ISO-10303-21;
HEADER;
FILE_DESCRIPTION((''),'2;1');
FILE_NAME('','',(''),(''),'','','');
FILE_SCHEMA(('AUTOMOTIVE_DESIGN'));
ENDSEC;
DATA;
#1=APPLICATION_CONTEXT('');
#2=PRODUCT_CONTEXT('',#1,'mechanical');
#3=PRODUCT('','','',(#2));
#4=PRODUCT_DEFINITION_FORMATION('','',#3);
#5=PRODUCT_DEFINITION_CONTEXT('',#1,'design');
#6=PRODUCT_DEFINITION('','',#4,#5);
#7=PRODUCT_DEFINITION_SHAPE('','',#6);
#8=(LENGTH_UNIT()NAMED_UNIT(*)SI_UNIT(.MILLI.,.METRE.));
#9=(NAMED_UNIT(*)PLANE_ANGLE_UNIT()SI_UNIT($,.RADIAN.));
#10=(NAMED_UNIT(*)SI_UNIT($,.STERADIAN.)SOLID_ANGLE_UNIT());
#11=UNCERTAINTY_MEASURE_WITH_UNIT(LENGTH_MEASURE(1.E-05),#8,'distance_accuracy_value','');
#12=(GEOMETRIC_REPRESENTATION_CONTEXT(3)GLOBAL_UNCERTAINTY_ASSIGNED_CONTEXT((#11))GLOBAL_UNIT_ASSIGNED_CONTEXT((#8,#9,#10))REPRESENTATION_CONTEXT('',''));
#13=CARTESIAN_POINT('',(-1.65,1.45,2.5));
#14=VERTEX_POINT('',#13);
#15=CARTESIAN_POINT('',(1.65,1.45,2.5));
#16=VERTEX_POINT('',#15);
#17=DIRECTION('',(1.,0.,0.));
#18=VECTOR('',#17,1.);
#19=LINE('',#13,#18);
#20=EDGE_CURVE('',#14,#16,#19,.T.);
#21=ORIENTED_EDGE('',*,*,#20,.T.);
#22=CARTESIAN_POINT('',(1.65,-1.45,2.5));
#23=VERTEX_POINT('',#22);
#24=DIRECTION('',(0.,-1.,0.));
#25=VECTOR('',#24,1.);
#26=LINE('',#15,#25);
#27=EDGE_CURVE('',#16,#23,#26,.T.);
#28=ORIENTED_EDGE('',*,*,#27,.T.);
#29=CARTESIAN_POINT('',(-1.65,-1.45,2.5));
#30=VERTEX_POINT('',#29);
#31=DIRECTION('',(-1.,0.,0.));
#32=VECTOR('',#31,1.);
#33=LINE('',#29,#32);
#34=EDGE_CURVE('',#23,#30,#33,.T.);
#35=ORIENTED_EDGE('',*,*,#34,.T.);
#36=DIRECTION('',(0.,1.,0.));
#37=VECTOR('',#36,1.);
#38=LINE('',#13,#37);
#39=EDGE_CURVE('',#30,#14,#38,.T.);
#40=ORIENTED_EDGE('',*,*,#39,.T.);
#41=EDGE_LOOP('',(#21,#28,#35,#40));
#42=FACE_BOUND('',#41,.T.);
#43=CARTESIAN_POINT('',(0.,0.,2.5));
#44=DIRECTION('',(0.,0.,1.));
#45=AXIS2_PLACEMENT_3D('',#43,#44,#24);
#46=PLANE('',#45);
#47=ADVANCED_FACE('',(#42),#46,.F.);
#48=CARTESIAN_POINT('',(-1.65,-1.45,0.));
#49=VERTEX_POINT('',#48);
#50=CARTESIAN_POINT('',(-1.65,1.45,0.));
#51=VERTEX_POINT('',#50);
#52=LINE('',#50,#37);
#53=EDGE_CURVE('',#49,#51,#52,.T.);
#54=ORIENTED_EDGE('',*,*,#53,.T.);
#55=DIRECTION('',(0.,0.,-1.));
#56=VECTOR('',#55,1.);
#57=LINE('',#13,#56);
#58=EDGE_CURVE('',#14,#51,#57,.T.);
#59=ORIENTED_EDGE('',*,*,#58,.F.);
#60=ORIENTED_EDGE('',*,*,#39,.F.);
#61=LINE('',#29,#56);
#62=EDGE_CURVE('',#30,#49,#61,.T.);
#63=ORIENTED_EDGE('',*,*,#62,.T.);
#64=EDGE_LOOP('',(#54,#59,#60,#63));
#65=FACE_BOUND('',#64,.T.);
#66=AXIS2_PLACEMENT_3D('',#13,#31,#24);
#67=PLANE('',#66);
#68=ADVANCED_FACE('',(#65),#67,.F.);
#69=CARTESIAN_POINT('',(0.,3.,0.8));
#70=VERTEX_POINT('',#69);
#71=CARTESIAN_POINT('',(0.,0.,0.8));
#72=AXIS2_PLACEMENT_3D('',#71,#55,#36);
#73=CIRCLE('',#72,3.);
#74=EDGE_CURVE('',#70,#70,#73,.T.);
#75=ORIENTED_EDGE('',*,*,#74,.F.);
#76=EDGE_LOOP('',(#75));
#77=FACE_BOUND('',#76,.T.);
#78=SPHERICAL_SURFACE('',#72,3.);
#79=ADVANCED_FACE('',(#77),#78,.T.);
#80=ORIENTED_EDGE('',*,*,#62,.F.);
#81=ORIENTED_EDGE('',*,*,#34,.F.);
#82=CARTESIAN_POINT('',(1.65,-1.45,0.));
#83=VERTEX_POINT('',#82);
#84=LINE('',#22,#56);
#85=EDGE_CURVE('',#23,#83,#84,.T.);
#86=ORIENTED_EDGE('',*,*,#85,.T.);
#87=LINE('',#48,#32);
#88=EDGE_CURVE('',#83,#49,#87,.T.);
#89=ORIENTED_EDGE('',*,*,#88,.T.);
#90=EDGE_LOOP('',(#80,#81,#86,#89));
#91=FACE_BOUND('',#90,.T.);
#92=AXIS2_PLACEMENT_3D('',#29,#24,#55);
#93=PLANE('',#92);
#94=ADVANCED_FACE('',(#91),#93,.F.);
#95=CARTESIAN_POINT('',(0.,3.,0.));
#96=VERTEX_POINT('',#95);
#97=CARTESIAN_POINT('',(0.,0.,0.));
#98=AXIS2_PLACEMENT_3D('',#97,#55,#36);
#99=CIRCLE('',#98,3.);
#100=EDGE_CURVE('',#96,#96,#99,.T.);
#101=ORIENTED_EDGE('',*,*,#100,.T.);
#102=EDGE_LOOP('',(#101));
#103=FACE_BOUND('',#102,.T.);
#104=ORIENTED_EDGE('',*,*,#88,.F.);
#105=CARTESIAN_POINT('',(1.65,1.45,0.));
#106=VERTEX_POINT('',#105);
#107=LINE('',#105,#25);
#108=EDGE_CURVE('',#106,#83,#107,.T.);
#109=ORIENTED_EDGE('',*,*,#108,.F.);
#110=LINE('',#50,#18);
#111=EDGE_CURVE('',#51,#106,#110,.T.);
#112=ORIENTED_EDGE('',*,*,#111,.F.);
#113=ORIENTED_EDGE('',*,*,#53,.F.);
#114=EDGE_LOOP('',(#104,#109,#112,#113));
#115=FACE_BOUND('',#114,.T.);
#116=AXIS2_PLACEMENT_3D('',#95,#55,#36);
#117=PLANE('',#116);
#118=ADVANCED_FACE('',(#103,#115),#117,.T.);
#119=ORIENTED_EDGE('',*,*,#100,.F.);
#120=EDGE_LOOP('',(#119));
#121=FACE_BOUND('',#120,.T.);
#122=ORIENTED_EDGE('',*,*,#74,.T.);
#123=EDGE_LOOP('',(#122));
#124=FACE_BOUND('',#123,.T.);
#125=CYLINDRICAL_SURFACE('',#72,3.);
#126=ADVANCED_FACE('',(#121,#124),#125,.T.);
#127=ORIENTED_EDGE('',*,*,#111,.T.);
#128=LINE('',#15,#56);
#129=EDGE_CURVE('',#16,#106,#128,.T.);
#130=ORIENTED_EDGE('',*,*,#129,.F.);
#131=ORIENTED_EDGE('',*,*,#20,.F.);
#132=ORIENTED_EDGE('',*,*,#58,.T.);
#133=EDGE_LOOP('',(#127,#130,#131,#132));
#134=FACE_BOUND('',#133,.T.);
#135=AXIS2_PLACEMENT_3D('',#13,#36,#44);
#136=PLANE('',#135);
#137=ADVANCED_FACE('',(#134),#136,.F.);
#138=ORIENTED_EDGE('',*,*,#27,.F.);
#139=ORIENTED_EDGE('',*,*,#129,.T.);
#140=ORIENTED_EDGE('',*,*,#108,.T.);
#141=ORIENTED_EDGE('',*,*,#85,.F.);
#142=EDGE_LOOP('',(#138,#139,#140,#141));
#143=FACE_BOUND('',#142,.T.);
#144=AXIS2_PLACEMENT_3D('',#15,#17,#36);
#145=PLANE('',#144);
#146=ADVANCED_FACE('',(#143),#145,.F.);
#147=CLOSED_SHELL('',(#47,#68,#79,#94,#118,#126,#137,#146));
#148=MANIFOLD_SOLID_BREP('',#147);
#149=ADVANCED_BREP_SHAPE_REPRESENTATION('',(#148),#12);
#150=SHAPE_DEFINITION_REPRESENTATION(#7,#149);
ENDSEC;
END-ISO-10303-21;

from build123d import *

# Parameters (mm, degrees)
SKIZZE3_W                       = 3.3
SKIZZE3_H                       = 2.9
SCHNITT_LINEAR_AUSTRAGEN1_DEPTH = 2.5


with BuildPart() as part:
    # Skizze2 → Rotation2 (revolve)
    with BuildSketch(Plane(origin=(0, 0, 0), x_dir=(0, 0, -1), z_dir=(1, 0, 0))):
        with BuildLine():
            Line((-0.8, 3), (0, 3))
            Line((0, 3), (0, 0))
            Line((0, 0), (-3.8, 0))
            ThreePointArc((-3.8, 0), (-2.921320344, 2.121320344), (-0.8, 3))
        make_face()
    revolve(axis=Axis((0, 0, 0.8), (0, 0, 1)))

    # Skizze3 → Schnitt-Linear austragen1 (cut)
    with BuildSketch(Plane(origin=(0, 0, 0), x_dir=(-1, 0, 0), z_dir=(0, 0, -1))):
        Rectangle(SKIZZE3_W, SKIZZE3_H)
    extrude(amount=-SCHNITT_LINEAR_AUSTRAGEN1_DEPTH, mode=Mode.SUBTRACT)


solid = part.part
